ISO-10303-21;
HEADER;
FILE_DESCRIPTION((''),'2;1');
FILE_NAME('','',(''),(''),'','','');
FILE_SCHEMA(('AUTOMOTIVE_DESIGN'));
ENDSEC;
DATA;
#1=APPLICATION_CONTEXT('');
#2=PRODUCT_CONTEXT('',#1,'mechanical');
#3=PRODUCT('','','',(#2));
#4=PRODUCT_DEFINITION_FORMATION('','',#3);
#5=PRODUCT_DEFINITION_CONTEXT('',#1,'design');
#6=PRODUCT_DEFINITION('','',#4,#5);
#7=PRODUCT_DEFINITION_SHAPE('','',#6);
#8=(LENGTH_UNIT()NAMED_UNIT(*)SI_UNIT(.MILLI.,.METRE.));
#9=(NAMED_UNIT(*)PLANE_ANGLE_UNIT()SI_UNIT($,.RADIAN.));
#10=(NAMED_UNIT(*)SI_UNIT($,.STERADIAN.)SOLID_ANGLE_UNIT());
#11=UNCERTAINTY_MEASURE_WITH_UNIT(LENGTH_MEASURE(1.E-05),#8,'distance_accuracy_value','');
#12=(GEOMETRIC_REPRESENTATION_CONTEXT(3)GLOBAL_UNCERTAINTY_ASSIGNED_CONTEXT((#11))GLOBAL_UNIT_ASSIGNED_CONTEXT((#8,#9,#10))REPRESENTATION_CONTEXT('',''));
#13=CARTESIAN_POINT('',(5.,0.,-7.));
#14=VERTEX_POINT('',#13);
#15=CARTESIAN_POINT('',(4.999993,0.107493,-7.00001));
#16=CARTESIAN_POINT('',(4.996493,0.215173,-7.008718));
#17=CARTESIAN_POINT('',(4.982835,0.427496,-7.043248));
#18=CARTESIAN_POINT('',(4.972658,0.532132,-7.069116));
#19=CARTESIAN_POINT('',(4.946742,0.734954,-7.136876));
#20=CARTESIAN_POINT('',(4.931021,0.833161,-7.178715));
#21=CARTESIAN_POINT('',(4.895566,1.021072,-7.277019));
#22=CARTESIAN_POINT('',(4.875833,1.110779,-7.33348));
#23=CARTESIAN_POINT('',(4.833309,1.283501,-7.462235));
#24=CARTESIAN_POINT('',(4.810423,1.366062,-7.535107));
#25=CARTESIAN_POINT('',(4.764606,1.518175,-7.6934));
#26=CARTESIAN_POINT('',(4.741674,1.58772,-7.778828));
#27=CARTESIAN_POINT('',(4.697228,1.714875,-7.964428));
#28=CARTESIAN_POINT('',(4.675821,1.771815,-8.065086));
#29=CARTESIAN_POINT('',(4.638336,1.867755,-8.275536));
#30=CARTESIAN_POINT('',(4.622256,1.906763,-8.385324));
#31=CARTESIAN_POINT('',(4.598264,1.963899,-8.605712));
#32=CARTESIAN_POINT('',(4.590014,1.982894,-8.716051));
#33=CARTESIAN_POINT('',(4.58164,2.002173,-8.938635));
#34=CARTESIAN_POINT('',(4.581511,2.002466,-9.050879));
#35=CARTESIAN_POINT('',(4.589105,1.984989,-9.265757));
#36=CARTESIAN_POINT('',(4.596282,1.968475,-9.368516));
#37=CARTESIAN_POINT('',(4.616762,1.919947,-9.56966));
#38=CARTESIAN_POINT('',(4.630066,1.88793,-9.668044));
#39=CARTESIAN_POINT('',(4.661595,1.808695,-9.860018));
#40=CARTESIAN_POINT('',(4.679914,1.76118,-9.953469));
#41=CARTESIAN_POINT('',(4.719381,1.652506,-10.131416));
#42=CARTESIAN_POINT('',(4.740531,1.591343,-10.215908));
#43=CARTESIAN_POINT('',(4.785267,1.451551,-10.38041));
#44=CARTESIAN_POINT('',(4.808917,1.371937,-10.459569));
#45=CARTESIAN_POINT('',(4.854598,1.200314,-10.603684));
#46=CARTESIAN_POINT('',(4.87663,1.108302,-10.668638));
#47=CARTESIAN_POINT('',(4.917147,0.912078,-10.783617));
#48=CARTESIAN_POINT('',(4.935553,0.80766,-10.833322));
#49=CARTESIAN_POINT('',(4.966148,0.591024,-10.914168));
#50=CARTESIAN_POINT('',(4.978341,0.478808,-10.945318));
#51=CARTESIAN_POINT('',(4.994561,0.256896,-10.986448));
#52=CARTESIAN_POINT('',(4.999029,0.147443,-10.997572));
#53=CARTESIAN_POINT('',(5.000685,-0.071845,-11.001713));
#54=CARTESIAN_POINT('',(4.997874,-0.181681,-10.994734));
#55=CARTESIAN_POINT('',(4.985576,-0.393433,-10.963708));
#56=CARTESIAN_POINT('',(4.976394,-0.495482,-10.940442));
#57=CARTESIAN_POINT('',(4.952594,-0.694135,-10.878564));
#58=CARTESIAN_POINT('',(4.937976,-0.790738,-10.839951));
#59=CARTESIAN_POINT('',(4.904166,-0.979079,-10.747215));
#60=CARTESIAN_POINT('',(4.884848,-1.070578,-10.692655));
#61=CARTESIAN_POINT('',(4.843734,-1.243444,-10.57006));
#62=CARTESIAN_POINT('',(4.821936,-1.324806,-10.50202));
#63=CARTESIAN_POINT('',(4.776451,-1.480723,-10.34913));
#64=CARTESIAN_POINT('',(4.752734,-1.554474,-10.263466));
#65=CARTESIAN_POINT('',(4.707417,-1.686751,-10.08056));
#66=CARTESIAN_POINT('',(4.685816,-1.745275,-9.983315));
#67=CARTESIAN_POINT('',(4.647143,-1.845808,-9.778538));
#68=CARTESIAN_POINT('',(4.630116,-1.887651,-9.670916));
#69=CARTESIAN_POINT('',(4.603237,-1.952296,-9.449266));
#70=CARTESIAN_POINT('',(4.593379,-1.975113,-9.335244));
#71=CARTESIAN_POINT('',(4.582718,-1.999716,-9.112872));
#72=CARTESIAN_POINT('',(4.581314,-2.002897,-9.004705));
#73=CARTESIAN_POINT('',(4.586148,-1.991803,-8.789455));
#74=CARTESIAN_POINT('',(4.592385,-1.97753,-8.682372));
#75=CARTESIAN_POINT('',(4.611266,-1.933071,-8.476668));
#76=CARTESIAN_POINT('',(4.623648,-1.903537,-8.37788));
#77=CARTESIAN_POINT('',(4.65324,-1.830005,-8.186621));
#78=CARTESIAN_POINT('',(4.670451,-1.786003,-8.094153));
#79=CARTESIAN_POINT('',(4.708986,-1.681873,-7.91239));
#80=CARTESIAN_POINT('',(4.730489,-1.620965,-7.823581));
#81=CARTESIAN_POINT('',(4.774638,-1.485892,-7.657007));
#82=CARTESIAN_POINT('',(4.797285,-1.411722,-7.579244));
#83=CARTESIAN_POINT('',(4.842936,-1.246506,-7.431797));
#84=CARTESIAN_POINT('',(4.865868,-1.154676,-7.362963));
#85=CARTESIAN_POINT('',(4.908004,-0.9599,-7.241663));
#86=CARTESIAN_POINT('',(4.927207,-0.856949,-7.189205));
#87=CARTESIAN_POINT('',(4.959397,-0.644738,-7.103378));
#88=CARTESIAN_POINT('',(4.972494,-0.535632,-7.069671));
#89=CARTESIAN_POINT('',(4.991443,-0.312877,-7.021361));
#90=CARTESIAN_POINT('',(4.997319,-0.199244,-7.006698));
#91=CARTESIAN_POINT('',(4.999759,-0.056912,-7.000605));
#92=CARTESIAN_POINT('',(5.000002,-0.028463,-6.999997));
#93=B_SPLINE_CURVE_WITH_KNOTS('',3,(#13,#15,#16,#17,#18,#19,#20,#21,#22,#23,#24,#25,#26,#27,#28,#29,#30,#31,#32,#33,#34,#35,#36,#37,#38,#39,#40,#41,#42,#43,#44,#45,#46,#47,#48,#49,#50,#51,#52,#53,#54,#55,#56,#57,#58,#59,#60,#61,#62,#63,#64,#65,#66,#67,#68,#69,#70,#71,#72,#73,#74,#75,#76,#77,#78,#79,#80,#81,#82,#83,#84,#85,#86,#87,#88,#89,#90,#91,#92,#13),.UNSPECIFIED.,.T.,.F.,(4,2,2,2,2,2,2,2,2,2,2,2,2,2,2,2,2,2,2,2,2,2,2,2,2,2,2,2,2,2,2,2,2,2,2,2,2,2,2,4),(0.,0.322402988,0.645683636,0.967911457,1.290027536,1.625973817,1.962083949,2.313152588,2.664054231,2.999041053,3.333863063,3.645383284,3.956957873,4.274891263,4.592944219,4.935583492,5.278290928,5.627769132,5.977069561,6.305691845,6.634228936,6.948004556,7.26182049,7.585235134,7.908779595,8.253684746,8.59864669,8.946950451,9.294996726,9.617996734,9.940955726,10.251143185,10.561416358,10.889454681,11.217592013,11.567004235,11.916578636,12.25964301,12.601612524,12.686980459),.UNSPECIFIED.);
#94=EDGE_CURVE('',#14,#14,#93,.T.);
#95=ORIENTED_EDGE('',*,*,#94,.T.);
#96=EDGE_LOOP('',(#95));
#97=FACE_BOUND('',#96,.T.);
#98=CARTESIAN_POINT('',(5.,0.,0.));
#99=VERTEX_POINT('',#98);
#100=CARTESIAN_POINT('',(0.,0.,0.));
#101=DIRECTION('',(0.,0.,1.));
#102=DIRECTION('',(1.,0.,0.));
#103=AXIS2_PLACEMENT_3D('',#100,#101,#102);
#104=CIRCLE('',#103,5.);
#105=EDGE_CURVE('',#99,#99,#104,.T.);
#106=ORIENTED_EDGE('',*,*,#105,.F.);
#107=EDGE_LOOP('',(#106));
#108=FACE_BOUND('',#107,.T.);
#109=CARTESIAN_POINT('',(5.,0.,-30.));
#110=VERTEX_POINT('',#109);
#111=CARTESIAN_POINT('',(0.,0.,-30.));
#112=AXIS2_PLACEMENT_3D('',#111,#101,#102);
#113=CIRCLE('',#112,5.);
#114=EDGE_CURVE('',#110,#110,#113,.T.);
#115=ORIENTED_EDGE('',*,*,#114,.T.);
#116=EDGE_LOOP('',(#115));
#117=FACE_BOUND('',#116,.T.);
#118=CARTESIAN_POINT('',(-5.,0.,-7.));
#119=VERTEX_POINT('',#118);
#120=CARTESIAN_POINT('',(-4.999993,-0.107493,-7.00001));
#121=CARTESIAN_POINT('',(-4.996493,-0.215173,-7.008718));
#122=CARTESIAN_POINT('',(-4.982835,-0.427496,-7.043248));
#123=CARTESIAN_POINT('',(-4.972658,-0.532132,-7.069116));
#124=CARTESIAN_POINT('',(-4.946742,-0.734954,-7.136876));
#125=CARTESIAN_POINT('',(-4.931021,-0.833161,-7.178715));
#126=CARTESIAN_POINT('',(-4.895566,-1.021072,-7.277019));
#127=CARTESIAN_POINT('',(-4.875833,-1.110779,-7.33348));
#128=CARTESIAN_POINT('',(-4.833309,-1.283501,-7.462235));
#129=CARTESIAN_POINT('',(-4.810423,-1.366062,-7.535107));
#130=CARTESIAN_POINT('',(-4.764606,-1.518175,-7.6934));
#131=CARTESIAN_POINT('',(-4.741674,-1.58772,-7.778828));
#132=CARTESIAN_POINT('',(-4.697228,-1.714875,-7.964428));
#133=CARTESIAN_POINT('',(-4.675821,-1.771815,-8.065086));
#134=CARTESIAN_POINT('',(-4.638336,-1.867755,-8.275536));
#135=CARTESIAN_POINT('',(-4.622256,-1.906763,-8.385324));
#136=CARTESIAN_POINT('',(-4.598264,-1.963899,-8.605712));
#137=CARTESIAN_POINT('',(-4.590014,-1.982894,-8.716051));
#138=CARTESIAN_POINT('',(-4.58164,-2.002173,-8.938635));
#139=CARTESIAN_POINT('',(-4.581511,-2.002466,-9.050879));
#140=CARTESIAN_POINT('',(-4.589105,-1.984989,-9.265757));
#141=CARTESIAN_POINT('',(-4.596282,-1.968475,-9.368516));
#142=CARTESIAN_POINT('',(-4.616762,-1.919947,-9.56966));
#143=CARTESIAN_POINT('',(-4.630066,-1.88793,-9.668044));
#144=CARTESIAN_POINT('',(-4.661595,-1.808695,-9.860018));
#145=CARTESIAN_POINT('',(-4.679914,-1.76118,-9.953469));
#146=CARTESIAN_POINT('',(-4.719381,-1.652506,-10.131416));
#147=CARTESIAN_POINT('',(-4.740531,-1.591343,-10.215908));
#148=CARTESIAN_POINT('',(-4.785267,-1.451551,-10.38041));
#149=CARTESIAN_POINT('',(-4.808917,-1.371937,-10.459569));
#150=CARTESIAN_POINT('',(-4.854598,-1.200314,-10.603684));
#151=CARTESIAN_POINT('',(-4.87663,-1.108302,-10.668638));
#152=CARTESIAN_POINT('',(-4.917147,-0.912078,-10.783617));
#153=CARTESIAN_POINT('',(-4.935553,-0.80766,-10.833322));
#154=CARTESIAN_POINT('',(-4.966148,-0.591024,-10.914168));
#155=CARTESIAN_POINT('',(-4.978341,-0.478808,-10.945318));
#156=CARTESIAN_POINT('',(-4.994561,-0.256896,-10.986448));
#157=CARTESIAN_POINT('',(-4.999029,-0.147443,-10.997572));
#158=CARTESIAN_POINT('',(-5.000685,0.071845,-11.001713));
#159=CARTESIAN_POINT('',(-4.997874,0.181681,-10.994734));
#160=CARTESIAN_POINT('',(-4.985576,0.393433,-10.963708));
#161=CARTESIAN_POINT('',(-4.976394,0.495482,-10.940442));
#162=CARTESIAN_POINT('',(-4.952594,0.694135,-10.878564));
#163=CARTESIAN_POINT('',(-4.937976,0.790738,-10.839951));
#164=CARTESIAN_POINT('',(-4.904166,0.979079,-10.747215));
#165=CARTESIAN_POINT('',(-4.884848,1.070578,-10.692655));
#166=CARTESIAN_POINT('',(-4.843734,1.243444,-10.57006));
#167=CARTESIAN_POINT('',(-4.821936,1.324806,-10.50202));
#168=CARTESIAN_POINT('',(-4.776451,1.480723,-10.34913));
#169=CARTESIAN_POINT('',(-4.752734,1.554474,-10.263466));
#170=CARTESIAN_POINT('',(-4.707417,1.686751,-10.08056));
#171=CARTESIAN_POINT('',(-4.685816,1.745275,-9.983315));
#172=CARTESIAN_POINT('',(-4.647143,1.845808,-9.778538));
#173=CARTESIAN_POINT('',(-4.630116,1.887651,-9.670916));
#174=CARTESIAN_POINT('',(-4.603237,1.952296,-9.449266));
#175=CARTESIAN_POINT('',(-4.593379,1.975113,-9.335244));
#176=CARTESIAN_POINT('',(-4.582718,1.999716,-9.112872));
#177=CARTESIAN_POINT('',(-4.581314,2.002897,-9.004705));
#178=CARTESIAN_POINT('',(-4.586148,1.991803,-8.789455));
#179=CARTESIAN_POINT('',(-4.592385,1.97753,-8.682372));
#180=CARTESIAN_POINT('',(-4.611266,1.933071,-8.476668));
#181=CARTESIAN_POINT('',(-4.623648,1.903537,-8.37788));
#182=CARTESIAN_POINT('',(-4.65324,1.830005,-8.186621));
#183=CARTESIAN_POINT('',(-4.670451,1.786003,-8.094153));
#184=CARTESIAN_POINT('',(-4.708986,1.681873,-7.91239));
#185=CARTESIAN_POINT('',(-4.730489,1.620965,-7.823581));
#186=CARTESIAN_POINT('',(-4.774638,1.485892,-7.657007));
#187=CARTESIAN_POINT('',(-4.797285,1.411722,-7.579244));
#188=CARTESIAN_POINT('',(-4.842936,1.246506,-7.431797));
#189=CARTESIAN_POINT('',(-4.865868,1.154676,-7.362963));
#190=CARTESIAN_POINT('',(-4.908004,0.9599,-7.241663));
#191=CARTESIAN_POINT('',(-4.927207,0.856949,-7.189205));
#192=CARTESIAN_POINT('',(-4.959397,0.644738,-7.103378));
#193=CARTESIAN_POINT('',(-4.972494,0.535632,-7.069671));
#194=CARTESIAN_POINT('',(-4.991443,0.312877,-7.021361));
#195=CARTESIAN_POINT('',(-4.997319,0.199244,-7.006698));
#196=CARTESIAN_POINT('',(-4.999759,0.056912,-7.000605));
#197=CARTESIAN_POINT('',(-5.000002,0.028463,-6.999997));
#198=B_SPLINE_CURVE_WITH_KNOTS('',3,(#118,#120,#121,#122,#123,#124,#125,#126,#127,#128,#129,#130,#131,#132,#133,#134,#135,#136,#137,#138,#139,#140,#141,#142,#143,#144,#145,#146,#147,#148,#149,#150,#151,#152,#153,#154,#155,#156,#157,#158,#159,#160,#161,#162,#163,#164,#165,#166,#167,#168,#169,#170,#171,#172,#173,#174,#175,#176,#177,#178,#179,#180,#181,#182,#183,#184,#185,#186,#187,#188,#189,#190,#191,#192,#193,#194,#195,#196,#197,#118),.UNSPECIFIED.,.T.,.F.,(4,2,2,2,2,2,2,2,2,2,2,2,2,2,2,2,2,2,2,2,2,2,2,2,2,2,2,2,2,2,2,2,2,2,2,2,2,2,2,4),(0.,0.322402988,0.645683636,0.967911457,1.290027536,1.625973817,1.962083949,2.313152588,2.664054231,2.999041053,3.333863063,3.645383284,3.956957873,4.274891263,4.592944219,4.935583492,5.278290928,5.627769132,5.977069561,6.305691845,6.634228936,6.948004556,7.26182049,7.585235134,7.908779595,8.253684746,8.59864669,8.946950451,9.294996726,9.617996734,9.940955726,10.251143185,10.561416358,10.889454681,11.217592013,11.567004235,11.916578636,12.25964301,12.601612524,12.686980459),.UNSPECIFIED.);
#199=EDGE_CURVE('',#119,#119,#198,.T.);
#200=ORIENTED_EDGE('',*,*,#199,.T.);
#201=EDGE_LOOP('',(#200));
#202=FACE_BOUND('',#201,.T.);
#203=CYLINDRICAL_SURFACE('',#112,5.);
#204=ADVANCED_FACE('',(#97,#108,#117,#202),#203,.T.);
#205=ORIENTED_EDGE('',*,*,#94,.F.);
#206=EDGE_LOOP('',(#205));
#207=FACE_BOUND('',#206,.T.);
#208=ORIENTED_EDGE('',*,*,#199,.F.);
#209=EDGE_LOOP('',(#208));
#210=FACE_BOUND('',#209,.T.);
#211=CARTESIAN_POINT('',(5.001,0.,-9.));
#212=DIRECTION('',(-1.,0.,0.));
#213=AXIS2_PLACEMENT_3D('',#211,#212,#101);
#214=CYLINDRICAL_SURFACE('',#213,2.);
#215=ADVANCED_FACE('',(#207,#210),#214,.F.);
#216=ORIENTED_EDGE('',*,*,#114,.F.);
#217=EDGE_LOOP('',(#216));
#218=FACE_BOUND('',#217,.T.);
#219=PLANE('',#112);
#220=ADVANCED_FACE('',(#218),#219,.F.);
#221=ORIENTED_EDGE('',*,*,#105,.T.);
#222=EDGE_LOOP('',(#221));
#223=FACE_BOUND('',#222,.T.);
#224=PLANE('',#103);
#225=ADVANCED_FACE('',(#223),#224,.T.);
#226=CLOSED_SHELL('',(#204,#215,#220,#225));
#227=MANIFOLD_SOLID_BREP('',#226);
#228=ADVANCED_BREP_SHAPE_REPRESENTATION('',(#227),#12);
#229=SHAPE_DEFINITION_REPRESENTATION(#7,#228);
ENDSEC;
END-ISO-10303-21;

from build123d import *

# Parameters (mm, degrees)
SKETCH1_R           = 5
BOSS_EXTRUDE1_DEPTH = 30
CUT_EXTRUDE1_REACH  = 34.016
SKETCH2_R           = 2


with BuildPart() as part:
    # Sketch1 → Boss-Extrude1 (new body)
    with BuildSketch(Plane.XY):
        Circle(SKETCH1_R)
    extrude(amount=-BOSS_EXTRUDE1_DEPTH)

    # Sketch2 → Cut-Extrude1 (cut, up to next)
    with BuildSketch(Plane.ZY.offset(5), mode=Mode.PRIVATE) as cut_extrude1_sk1:
        with Locations((-9, 0)):
            Circle(SKETCH2_R)
    cut_extrude1_tool1 = extrude(cut_extrude1_sk1.sketch, amount=-CUT_EXTRUDE1_REACH, mode=Mode.PRIVATE) & part.part
    add(cut_extrude1_tool1.solids().sort_by_distance((-5, 0, -9))[0], mode=Mode.SUBTRACT)


solid = part.part
